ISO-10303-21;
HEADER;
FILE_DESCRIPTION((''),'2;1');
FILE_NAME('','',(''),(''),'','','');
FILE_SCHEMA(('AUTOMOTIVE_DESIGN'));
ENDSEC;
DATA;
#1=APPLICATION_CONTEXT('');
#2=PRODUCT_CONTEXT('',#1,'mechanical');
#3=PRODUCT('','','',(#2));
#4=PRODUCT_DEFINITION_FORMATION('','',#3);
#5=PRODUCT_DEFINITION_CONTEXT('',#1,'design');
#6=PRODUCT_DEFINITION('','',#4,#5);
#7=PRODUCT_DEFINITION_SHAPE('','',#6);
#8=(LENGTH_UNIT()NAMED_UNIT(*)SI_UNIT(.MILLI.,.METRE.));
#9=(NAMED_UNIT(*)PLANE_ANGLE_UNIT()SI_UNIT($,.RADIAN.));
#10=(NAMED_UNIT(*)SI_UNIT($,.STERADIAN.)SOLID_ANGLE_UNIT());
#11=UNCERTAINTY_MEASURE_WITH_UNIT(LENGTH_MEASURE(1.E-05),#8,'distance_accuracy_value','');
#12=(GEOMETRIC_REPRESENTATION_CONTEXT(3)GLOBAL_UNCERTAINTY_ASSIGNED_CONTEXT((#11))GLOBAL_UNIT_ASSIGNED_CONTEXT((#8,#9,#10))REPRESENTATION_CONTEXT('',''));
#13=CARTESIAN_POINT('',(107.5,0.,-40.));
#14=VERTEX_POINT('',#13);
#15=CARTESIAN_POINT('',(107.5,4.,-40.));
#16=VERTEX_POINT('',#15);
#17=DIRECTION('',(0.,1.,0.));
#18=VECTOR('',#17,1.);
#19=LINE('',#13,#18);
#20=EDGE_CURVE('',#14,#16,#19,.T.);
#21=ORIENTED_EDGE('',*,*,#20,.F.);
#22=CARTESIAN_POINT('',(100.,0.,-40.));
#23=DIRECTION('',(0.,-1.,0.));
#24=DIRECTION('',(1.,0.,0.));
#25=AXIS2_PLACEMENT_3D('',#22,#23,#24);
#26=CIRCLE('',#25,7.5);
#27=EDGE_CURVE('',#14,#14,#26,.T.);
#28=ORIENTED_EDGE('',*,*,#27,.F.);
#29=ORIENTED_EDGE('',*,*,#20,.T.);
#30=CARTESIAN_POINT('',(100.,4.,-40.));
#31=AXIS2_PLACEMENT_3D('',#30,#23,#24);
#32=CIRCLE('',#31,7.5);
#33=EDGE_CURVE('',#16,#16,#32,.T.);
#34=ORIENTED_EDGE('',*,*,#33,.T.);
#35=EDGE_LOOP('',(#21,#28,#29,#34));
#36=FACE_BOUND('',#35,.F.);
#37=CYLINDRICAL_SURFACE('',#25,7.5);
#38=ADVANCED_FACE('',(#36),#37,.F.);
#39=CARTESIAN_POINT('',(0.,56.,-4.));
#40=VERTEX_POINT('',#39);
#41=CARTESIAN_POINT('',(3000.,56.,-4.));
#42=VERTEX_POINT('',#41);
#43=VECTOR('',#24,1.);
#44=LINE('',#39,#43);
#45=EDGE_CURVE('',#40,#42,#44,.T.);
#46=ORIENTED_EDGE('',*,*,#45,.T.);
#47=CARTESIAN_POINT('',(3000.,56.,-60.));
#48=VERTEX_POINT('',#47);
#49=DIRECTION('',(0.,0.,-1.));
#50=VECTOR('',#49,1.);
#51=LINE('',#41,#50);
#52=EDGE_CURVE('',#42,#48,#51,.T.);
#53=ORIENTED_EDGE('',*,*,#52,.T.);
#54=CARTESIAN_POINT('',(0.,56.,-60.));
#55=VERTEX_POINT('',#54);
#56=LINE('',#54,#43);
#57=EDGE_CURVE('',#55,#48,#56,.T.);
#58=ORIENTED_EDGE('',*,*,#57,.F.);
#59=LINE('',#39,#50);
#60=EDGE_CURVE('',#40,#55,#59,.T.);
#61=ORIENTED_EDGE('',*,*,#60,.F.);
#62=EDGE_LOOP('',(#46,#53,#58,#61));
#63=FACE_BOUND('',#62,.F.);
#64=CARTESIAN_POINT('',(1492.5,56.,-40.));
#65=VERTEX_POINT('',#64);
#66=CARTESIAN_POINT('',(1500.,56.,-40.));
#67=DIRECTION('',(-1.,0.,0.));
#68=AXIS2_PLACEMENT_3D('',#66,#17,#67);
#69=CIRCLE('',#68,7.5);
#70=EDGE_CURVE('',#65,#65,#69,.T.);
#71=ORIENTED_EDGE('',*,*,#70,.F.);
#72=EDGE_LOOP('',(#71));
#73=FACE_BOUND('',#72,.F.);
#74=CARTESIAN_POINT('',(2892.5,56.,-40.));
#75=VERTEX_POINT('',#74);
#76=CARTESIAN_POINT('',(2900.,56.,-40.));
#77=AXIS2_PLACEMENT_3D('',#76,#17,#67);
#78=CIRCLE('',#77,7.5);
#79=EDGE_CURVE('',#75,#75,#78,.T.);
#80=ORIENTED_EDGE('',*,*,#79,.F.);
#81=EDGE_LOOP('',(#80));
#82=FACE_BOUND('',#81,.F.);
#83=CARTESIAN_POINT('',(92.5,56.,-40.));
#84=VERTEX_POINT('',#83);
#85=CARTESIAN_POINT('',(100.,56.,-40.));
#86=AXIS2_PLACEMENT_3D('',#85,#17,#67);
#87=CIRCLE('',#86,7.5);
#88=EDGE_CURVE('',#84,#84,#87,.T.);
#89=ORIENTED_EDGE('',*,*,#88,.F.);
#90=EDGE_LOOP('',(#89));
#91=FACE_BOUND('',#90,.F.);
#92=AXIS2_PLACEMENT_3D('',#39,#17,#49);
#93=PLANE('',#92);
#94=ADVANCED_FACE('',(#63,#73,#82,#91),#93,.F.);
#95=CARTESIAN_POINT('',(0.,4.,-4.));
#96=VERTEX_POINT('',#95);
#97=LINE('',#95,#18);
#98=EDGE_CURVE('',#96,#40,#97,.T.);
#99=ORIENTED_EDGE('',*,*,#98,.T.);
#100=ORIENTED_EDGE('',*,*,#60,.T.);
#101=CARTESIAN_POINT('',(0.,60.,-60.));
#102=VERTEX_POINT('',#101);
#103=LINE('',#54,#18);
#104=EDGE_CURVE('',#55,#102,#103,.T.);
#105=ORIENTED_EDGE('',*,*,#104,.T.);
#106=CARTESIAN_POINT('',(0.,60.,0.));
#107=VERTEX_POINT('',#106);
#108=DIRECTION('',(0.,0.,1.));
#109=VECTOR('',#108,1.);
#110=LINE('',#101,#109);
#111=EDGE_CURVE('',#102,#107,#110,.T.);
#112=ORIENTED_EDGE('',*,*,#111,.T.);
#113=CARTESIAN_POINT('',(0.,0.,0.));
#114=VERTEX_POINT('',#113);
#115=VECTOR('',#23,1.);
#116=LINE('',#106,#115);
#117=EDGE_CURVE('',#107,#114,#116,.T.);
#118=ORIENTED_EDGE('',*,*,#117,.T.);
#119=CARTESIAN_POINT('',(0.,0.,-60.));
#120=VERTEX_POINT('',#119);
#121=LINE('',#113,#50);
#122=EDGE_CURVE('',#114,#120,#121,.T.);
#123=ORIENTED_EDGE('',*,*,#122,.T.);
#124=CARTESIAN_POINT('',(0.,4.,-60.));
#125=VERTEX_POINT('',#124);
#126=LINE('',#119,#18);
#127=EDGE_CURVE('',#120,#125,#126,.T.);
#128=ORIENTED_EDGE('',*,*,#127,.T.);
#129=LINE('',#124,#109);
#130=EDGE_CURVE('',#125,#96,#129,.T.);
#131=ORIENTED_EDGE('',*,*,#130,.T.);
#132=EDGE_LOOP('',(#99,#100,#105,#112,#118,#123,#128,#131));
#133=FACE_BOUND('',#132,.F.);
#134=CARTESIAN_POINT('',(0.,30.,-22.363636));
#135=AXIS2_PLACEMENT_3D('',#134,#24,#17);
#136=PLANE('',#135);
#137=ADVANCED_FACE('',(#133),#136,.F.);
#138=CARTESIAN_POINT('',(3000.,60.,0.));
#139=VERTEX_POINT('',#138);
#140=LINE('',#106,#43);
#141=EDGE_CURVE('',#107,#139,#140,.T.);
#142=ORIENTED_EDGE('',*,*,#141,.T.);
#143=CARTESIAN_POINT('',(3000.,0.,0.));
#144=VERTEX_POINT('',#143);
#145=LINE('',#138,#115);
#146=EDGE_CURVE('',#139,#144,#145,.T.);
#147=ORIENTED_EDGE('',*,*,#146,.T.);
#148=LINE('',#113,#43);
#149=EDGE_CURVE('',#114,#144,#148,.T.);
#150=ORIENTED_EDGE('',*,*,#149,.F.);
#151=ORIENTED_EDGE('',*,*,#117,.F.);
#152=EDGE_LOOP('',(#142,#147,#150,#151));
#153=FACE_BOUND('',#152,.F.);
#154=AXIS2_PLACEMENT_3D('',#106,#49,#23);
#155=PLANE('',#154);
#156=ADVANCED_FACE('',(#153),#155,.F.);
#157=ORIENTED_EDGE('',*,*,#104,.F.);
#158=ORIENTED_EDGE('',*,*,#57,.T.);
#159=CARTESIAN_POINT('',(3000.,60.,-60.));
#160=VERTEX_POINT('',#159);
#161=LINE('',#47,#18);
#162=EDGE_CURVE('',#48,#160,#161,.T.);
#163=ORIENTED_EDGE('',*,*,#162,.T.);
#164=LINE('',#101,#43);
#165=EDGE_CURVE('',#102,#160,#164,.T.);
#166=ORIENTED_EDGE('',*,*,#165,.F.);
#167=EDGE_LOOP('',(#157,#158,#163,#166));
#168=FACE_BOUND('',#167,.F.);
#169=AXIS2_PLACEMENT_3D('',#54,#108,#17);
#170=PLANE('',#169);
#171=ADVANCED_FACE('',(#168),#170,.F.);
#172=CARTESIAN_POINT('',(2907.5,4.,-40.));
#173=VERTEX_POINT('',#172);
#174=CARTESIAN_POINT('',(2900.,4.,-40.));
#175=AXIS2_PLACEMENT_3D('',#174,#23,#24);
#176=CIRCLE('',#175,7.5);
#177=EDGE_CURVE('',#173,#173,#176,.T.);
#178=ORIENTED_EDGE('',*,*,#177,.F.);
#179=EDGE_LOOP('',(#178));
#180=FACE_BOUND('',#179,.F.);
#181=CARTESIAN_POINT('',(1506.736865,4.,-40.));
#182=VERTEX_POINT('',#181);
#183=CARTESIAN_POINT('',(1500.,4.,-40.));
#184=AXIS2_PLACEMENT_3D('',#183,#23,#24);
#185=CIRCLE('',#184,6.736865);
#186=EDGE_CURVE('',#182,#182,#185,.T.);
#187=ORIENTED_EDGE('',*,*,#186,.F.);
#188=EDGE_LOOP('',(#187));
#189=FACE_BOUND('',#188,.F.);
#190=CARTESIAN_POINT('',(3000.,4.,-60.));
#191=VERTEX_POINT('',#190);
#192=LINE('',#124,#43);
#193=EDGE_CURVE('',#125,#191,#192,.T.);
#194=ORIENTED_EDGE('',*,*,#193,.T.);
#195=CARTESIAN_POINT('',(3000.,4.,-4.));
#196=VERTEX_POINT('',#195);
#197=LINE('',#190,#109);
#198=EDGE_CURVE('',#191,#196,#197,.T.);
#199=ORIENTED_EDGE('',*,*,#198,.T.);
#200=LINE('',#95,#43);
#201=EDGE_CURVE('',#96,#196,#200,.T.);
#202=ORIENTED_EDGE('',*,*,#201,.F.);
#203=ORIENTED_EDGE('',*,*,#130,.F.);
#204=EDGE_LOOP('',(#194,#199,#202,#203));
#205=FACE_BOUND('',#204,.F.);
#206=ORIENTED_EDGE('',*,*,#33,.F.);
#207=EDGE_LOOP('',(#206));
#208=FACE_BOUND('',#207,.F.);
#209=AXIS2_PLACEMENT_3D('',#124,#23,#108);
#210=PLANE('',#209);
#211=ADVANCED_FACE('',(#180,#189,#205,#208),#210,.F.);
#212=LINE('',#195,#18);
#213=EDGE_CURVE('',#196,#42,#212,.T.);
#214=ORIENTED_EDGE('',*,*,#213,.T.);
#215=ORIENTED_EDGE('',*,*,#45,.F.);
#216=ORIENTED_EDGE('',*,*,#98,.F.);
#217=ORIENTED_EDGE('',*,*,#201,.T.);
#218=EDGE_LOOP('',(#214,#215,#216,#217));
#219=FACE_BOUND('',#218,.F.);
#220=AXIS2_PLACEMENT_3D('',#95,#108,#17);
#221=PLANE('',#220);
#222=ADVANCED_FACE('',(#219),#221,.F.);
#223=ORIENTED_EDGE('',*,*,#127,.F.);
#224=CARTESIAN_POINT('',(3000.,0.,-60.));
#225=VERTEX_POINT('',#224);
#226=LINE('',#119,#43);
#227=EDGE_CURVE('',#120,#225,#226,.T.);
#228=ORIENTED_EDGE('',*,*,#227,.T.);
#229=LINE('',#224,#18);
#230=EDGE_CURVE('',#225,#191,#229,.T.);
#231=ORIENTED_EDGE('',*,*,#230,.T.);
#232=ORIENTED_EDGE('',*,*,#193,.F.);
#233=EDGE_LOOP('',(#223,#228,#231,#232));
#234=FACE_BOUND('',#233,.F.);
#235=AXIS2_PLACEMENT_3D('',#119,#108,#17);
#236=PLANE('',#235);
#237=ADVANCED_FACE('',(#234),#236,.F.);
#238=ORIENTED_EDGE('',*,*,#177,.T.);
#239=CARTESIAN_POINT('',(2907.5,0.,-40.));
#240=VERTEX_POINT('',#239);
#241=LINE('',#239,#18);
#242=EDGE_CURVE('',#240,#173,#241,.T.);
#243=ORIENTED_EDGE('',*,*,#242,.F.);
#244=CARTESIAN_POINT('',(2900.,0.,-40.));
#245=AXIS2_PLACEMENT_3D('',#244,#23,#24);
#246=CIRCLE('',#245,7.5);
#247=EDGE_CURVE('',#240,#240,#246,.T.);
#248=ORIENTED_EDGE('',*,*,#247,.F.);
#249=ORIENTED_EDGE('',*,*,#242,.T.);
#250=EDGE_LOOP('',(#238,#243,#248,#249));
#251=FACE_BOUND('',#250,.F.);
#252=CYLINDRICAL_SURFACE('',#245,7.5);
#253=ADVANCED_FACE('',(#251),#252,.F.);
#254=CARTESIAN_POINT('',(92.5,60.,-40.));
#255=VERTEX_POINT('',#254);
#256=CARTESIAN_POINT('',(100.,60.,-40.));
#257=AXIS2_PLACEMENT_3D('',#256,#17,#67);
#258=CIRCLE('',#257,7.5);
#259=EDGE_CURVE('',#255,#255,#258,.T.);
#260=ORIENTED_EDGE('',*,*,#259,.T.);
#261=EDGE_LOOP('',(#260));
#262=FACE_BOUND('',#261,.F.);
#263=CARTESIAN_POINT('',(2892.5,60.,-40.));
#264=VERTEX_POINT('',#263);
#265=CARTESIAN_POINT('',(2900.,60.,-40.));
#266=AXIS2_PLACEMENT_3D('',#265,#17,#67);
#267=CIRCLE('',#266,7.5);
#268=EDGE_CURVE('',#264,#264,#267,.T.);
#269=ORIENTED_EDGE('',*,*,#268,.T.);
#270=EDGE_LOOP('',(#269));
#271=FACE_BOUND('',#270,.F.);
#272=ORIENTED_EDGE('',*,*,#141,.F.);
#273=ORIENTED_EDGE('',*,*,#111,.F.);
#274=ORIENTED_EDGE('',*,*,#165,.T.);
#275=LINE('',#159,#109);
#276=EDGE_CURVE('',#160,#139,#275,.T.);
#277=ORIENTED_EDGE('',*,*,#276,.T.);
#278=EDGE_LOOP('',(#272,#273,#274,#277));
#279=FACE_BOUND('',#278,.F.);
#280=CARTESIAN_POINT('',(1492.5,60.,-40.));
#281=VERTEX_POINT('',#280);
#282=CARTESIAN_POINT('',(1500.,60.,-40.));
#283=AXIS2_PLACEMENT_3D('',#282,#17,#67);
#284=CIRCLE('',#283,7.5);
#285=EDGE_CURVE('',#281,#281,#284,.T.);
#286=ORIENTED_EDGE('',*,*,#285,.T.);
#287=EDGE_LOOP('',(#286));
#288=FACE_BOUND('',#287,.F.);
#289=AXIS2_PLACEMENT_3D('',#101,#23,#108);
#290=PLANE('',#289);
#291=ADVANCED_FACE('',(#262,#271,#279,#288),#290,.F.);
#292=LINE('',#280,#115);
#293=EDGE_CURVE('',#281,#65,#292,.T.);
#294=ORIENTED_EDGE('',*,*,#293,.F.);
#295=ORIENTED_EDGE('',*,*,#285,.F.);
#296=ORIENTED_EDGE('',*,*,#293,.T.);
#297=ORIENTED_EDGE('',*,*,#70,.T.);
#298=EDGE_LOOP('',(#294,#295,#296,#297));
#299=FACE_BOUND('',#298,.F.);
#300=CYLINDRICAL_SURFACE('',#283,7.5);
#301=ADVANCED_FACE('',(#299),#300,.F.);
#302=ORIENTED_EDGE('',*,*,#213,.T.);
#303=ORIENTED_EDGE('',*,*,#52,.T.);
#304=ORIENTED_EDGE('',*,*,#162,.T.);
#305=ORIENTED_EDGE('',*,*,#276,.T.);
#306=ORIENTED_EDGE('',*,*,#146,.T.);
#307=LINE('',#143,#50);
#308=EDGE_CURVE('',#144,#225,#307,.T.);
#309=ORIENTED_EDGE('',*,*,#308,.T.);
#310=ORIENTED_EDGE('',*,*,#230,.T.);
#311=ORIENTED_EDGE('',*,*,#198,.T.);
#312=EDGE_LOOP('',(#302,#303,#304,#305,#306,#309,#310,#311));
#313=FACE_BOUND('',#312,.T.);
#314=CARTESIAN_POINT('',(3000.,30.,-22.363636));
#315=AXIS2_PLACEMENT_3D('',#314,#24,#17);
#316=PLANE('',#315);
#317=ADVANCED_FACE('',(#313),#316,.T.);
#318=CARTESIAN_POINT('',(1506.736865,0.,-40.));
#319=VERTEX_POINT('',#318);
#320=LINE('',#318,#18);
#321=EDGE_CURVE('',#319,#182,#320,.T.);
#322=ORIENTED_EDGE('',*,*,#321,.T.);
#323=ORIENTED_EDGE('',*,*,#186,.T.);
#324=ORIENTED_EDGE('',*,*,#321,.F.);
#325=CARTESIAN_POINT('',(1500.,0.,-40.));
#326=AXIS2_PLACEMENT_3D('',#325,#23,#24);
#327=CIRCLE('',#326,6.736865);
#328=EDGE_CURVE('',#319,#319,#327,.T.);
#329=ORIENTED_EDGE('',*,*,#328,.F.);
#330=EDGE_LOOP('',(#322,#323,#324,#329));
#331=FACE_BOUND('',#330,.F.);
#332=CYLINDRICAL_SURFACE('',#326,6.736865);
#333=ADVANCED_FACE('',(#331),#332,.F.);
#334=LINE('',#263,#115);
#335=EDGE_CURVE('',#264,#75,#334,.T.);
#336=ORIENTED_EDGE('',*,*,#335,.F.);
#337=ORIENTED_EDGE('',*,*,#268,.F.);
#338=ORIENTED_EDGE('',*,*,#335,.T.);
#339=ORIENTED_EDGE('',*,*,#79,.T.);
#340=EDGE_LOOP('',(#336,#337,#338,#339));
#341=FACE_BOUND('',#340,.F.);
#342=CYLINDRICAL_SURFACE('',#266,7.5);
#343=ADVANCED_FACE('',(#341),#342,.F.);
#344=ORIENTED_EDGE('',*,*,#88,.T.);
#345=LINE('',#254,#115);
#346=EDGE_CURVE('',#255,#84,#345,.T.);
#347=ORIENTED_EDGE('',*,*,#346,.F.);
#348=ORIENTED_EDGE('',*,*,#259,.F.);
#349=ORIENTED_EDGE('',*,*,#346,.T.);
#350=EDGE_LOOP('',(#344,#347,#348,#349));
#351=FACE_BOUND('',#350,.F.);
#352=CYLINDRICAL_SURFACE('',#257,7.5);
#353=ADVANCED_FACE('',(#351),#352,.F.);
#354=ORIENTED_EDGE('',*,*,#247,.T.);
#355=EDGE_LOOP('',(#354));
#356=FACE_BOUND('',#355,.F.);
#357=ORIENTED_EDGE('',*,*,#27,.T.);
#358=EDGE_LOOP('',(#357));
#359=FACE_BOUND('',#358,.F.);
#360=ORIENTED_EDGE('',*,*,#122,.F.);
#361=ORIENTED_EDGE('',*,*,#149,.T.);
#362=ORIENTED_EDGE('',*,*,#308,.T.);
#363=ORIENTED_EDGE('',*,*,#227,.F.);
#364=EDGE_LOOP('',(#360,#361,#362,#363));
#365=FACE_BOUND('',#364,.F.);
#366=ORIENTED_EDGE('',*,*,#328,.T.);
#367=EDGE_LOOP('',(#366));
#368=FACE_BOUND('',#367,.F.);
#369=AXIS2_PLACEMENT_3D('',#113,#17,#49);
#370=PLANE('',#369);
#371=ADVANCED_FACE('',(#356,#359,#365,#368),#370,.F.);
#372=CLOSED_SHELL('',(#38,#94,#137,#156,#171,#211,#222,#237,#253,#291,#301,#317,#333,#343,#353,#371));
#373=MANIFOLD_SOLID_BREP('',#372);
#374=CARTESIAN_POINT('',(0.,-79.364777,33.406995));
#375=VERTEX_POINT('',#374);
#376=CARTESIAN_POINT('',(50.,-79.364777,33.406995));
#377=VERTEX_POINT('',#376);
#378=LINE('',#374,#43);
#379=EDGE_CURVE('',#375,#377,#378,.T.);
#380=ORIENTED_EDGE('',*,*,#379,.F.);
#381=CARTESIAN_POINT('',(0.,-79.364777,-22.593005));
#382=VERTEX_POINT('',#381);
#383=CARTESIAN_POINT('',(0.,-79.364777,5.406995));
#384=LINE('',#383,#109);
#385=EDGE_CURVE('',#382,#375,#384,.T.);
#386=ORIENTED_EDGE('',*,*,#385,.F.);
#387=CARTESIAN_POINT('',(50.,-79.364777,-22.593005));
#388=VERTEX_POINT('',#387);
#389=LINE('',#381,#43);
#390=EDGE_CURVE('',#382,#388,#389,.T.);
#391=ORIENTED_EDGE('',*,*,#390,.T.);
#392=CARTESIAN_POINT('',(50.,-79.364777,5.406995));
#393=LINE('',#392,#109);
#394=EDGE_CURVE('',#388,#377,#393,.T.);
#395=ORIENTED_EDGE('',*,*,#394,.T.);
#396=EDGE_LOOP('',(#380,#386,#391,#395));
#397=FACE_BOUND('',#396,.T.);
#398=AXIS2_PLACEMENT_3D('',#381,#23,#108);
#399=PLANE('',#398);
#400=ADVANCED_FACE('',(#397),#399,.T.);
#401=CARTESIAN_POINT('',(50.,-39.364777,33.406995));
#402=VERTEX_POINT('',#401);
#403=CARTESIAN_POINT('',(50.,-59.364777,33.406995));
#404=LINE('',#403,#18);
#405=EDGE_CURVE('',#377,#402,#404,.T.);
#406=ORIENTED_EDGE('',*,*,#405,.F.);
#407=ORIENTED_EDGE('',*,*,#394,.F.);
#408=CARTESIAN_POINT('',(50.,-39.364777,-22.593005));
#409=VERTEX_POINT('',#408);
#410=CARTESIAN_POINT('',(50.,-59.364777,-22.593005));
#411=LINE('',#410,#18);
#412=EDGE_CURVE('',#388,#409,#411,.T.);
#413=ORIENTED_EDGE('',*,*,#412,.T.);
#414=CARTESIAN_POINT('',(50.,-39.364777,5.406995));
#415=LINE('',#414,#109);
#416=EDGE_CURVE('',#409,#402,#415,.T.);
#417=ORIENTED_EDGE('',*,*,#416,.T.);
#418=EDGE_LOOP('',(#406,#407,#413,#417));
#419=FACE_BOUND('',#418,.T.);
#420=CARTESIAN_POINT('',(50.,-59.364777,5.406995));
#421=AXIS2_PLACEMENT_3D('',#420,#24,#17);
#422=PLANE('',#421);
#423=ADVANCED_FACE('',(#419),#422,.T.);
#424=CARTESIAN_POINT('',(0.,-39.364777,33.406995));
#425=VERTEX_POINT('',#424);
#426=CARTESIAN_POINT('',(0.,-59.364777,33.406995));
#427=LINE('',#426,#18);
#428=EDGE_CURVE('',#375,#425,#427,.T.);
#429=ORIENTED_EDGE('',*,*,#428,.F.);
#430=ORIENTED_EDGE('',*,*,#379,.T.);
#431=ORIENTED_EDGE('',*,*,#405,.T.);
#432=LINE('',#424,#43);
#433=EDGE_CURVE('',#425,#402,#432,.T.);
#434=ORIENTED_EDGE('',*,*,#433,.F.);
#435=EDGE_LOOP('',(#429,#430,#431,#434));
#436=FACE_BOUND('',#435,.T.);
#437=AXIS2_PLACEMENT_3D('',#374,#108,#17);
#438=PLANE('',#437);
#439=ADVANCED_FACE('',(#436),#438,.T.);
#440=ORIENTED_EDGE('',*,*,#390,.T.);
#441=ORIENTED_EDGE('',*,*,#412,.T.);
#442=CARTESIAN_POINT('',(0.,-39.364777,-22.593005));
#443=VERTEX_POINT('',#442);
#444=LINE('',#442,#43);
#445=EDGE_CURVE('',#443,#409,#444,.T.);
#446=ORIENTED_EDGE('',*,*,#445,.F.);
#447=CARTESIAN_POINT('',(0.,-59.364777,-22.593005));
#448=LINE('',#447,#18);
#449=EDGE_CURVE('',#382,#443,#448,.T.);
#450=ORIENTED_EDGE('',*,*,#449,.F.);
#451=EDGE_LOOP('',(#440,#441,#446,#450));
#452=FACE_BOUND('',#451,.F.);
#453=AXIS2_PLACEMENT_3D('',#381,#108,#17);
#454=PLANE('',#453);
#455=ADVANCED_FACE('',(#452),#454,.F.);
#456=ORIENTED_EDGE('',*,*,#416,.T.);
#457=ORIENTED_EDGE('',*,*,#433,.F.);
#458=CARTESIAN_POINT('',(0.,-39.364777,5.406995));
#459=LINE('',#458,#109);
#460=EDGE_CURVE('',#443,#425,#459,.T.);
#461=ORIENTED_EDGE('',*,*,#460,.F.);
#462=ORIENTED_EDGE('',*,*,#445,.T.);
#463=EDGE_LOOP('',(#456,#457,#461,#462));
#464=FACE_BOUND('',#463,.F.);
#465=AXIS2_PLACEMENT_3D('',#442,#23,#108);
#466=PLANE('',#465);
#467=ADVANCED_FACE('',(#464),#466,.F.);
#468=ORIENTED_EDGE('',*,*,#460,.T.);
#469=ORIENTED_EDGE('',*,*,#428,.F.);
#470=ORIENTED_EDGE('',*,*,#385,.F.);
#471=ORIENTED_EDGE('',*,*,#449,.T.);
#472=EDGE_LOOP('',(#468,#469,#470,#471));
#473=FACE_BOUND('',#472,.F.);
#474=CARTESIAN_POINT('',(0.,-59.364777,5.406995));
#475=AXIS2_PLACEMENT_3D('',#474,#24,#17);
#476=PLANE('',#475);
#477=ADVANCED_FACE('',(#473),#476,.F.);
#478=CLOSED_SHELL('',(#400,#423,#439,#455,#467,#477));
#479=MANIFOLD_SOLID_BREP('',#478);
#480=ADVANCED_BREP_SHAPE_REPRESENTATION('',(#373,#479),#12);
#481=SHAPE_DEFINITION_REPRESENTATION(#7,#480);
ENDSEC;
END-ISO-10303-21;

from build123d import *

# Parameters (mm, degrees)
F1_DEPTH  = 3000
F2_R      = 7.5
F3_DEPTH  = 4
F4_R      = 7.5
F5_DEPTH  = 4
F6_R      = 7.5
F7_DEPTH  = 4
F8_R      = 7.5
F9_DEPTH  = 4
F10_R     = 6.736865
F11_DEPTH = 4
F12_R     = 7.5
F13_DEPTH = 4
F14_W     = 40
F14_H     = 56
F15_DEPTH = 50


with BuildPart() as f1:
    # F0 (on Right) → F1 (new body)
    with BuildSketch(Plane.YZ):
        Polygon((60, 0), (0, 0), (0, -60), (4, -60), (4, -4), (56, -4), (56, -60), (60, -60), align=None)
    extrude(amount=F1_DEPTH)

    # F2 (on face) → F3 (cut)
    with BuildSketch(Plane(origin=(0, 60, 0), x_dir=(-1, 0, 0), z_dir=(0, 1, 0))):
        with Locations((-100, -40)):
            Circle(F2_R)
    extrude(amount=-F3_DEPTH, mode=Mode.SUBTRACT)

    # F4 (on face) → F5 (cut)
    with BuildSketch(Plane(origin=(0, 60, 0), x_dir=(-1, 0, 0), z_dir=(0, 1, 0))):
        with Locations((-2900, -40)):
            Circle(F4_R)
    extrude(amount=-F5_DEPTH, mode=Mode.SUBTRACT)

    # F6 (on face) → F7 (cut)
    with BuildSketch(Plane(origin=(0, 60, 0), x_dir=(-1, 0, 0), z_dir=(0, 1, 0))):
        with Locations((-1500, -40)):
            Circle(F6_R)
    extrude(amount=-F7_DEPTH, mode=Mode.SUBTRACT)

    # F8 (on face) → F9 (cut)
    with BuildSketch(Plane.XZ):
        with Locations((100, -40)):
            Circle(F8_R)
    extrude(amount=-F9_DEPTH, mode=Mode.SUBTRACT)

    # F10 (on face) → F11 (cut)
    with BuildSketch(Plane.XZ):
        with Locations((1500, -40)):
            Circle(F10_R)
    extrude(amount=-F11_DEPTH, mode=Mode.SUBTRACT)

    # F12 (on face) → F13 (cut)
    with BuildSketch(Plane.XZ):
        with Locations((2900, -40)):
            Circle(F12_R)
    extrude(amount=-F13_DEPTH, mode=Mode.SUBTRACT)


with BuildPart() as f15:
    # F14 (on Right) → F15 (new body)
    with BuildSketch(Plane.YZ):
        with Locations((-59.364777, 5.406995)):
            Rectangle(F14_W, F14_H)
    extrude(amount=F15_DEPTH)


solid = Compound([f1.part, f15.part])
